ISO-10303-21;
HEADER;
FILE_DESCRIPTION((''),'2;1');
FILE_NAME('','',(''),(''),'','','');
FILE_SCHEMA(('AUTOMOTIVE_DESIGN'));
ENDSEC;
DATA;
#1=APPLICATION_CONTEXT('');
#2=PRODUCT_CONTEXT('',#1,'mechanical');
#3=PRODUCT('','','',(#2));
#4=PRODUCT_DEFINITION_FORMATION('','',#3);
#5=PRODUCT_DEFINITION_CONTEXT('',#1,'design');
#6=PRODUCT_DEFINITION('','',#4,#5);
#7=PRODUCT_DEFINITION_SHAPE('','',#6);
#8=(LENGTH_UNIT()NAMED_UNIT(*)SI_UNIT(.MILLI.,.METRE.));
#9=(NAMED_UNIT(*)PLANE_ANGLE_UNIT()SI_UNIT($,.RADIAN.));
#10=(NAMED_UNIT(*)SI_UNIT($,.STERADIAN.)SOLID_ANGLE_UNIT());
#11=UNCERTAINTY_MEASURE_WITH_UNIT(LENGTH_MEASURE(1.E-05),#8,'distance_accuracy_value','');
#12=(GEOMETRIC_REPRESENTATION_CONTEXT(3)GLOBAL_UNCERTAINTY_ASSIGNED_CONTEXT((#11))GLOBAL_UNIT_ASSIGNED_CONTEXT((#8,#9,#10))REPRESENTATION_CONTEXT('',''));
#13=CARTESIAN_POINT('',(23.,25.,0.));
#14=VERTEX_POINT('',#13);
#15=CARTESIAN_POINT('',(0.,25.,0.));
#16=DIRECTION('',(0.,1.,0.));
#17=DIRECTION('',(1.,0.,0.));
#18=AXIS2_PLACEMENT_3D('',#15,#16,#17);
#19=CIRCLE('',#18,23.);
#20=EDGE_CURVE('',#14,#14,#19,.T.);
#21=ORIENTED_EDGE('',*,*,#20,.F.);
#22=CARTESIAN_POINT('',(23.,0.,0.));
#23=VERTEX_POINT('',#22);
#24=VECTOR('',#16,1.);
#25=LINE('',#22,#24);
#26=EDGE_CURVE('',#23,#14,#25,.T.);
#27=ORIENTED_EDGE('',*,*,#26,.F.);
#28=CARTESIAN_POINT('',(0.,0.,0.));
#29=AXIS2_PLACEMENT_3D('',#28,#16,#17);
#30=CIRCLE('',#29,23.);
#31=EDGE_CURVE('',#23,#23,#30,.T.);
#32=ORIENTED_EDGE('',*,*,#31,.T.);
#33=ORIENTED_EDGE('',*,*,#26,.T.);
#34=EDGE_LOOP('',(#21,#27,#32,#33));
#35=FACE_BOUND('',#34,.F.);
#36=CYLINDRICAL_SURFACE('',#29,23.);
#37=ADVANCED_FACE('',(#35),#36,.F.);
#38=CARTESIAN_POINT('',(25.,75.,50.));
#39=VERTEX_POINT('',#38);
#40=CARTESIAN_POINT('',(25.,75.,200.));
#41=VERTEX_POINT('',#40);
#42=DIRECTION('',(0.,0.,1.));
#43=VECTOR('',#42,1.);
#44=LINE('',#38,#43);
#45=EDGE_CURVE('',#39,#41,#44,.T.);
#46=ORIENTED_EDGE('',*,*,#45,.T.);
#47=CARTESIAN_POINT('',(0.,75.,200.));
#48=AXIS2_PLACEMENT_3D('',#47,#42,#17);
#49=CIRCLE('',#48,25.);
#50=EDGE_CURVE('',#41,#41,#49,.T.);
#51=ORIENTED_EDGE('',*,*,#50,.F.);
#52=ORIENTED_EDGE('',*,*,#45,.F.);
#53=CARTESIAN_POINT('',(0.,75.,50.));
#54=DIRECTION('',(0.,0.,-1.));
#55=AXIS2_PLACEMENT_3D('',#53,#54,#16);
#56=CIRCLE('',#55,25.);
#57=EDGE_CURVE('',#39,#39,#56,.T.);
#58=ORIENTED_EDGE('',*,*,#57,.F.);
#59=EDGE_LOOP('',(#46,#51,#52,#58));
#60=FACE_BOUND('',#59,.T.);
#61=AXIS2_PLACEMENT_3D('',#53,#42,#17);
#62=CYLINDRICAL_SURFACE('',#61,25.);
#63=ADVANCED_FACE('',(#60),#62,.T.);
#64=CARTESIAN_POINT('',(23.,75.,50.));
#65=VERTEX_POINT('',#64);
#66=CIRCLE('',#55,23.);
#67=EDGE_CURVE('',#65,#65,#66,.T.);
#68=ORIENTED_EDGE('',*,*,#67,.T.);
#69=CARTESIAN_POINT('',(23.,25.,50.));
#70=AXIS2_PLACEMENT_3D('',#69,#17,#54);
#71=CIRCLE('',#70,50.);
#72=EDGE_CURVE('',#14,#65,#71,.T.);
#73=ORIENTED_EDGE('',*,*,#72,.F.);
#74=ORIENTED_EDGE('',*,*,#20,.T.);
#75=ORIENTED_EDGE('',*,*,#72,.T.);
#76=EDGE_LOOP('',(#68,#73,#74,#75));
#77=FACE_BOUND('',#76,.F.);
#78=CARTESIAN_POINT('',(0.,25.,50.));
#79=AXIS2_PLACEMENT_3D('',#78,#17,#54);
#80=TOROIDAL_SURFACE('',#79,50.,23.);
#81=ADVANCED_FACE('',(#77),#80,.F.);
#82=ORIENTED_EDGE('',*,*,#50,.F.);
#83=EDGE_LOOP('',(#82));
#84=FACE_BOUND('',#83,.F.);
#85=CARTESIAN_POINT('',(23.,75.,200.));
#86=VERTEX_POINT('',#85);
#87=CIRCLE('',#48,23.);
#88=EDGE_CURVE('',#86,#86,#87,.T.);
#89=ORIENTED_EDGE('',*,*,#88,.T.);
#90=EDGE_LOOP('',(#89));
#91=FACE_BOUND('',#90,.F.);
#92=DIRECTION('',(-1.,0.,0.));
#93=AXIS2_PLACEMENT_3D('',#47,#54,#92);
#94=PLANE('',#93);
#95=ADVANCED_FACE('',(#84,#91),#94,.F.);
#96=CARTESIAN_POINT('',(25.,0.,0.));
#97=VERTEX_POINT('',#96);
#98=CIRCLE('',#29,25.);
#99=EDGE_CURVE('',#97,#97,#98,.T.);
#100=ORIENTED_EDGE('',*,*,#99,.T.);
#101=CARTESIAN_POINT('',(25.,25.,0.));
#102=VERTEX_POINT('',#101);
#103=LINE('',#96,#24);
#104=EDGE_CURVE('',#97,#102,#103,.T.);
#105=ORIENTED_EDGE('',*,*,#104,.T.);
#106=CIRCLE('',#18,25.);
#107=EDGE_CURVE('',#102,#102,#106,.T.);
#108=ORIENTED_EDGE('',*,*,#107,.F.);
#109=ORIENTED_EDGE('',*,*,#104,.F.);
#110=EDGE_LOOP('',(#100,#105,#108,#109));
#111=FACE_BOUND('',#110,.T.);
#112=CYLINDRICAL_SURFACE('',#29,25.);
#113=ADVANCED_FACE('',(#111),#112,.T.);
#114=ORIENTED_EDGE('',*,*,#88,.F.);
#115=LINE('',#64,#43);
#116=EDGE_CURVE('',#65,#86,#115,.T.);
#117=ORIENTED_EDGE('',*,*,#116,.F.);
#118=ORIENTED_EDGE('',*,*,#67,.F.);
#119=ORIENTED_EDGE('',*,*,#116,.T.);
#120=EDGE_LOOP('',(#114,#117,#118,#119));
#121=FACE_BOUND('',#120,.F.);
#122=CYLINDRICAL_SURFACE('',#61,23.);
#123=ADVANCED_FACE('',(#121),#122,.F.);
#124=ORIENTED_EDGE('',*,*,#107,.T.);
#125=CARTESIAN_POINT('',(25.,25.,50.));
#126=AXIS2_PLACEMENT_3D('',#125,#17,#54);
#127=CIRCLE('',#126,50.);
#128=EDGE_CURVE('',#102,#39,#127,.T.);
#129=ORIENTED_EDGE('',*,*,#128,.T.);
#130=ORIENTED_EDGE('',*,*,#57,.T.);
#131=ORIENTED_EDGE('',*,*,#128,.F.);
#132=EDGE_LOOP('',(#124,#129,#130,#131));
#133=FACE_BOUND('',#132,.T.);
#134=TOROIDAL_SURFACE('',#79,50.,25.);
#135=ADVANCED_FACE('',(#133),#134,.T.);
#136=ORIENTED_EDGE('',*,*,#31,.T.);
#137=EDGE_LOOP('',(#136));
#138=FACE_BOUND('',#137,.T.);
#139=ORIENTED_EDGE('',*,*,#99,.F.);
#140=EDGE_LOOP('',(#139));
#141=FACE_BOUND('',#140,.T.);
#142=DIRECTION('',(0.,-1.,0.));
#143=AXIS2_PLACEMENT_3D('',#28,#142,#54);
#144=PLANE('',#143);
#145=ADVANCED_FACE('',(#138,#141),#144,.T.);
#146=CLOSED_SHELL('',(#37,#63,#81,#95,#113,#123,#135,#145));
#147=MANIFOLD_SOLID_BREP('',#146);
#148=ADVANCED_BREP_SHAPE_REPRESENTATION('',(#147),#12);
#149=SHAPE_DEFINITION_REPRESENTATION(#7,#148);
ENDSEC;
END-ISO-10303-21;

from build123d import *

# Parameters (mm, degrees)
F0_R   = 25
F0_R_2 = 23


with BuildPart() as f2:
    # F2: sweep along a path in F1
    with BuildLine(Plane.YZ) as f2_path:
        Line((0, 0), (25, 0))
        ThreePointArc((25, 0), (60.3553390593, 14.6446609407), (75, 50))
        Line((75, 50), (75, 200))
    # F0 (on Front) → F2 (sweep)
    with BuildSketch(Plane.XZ):
        Circle(F0_R)
        Circle(F0_R_2, mode=Mode.SUBTRACT)
    sweep(path=f2_path.line)


solid = f2.part
